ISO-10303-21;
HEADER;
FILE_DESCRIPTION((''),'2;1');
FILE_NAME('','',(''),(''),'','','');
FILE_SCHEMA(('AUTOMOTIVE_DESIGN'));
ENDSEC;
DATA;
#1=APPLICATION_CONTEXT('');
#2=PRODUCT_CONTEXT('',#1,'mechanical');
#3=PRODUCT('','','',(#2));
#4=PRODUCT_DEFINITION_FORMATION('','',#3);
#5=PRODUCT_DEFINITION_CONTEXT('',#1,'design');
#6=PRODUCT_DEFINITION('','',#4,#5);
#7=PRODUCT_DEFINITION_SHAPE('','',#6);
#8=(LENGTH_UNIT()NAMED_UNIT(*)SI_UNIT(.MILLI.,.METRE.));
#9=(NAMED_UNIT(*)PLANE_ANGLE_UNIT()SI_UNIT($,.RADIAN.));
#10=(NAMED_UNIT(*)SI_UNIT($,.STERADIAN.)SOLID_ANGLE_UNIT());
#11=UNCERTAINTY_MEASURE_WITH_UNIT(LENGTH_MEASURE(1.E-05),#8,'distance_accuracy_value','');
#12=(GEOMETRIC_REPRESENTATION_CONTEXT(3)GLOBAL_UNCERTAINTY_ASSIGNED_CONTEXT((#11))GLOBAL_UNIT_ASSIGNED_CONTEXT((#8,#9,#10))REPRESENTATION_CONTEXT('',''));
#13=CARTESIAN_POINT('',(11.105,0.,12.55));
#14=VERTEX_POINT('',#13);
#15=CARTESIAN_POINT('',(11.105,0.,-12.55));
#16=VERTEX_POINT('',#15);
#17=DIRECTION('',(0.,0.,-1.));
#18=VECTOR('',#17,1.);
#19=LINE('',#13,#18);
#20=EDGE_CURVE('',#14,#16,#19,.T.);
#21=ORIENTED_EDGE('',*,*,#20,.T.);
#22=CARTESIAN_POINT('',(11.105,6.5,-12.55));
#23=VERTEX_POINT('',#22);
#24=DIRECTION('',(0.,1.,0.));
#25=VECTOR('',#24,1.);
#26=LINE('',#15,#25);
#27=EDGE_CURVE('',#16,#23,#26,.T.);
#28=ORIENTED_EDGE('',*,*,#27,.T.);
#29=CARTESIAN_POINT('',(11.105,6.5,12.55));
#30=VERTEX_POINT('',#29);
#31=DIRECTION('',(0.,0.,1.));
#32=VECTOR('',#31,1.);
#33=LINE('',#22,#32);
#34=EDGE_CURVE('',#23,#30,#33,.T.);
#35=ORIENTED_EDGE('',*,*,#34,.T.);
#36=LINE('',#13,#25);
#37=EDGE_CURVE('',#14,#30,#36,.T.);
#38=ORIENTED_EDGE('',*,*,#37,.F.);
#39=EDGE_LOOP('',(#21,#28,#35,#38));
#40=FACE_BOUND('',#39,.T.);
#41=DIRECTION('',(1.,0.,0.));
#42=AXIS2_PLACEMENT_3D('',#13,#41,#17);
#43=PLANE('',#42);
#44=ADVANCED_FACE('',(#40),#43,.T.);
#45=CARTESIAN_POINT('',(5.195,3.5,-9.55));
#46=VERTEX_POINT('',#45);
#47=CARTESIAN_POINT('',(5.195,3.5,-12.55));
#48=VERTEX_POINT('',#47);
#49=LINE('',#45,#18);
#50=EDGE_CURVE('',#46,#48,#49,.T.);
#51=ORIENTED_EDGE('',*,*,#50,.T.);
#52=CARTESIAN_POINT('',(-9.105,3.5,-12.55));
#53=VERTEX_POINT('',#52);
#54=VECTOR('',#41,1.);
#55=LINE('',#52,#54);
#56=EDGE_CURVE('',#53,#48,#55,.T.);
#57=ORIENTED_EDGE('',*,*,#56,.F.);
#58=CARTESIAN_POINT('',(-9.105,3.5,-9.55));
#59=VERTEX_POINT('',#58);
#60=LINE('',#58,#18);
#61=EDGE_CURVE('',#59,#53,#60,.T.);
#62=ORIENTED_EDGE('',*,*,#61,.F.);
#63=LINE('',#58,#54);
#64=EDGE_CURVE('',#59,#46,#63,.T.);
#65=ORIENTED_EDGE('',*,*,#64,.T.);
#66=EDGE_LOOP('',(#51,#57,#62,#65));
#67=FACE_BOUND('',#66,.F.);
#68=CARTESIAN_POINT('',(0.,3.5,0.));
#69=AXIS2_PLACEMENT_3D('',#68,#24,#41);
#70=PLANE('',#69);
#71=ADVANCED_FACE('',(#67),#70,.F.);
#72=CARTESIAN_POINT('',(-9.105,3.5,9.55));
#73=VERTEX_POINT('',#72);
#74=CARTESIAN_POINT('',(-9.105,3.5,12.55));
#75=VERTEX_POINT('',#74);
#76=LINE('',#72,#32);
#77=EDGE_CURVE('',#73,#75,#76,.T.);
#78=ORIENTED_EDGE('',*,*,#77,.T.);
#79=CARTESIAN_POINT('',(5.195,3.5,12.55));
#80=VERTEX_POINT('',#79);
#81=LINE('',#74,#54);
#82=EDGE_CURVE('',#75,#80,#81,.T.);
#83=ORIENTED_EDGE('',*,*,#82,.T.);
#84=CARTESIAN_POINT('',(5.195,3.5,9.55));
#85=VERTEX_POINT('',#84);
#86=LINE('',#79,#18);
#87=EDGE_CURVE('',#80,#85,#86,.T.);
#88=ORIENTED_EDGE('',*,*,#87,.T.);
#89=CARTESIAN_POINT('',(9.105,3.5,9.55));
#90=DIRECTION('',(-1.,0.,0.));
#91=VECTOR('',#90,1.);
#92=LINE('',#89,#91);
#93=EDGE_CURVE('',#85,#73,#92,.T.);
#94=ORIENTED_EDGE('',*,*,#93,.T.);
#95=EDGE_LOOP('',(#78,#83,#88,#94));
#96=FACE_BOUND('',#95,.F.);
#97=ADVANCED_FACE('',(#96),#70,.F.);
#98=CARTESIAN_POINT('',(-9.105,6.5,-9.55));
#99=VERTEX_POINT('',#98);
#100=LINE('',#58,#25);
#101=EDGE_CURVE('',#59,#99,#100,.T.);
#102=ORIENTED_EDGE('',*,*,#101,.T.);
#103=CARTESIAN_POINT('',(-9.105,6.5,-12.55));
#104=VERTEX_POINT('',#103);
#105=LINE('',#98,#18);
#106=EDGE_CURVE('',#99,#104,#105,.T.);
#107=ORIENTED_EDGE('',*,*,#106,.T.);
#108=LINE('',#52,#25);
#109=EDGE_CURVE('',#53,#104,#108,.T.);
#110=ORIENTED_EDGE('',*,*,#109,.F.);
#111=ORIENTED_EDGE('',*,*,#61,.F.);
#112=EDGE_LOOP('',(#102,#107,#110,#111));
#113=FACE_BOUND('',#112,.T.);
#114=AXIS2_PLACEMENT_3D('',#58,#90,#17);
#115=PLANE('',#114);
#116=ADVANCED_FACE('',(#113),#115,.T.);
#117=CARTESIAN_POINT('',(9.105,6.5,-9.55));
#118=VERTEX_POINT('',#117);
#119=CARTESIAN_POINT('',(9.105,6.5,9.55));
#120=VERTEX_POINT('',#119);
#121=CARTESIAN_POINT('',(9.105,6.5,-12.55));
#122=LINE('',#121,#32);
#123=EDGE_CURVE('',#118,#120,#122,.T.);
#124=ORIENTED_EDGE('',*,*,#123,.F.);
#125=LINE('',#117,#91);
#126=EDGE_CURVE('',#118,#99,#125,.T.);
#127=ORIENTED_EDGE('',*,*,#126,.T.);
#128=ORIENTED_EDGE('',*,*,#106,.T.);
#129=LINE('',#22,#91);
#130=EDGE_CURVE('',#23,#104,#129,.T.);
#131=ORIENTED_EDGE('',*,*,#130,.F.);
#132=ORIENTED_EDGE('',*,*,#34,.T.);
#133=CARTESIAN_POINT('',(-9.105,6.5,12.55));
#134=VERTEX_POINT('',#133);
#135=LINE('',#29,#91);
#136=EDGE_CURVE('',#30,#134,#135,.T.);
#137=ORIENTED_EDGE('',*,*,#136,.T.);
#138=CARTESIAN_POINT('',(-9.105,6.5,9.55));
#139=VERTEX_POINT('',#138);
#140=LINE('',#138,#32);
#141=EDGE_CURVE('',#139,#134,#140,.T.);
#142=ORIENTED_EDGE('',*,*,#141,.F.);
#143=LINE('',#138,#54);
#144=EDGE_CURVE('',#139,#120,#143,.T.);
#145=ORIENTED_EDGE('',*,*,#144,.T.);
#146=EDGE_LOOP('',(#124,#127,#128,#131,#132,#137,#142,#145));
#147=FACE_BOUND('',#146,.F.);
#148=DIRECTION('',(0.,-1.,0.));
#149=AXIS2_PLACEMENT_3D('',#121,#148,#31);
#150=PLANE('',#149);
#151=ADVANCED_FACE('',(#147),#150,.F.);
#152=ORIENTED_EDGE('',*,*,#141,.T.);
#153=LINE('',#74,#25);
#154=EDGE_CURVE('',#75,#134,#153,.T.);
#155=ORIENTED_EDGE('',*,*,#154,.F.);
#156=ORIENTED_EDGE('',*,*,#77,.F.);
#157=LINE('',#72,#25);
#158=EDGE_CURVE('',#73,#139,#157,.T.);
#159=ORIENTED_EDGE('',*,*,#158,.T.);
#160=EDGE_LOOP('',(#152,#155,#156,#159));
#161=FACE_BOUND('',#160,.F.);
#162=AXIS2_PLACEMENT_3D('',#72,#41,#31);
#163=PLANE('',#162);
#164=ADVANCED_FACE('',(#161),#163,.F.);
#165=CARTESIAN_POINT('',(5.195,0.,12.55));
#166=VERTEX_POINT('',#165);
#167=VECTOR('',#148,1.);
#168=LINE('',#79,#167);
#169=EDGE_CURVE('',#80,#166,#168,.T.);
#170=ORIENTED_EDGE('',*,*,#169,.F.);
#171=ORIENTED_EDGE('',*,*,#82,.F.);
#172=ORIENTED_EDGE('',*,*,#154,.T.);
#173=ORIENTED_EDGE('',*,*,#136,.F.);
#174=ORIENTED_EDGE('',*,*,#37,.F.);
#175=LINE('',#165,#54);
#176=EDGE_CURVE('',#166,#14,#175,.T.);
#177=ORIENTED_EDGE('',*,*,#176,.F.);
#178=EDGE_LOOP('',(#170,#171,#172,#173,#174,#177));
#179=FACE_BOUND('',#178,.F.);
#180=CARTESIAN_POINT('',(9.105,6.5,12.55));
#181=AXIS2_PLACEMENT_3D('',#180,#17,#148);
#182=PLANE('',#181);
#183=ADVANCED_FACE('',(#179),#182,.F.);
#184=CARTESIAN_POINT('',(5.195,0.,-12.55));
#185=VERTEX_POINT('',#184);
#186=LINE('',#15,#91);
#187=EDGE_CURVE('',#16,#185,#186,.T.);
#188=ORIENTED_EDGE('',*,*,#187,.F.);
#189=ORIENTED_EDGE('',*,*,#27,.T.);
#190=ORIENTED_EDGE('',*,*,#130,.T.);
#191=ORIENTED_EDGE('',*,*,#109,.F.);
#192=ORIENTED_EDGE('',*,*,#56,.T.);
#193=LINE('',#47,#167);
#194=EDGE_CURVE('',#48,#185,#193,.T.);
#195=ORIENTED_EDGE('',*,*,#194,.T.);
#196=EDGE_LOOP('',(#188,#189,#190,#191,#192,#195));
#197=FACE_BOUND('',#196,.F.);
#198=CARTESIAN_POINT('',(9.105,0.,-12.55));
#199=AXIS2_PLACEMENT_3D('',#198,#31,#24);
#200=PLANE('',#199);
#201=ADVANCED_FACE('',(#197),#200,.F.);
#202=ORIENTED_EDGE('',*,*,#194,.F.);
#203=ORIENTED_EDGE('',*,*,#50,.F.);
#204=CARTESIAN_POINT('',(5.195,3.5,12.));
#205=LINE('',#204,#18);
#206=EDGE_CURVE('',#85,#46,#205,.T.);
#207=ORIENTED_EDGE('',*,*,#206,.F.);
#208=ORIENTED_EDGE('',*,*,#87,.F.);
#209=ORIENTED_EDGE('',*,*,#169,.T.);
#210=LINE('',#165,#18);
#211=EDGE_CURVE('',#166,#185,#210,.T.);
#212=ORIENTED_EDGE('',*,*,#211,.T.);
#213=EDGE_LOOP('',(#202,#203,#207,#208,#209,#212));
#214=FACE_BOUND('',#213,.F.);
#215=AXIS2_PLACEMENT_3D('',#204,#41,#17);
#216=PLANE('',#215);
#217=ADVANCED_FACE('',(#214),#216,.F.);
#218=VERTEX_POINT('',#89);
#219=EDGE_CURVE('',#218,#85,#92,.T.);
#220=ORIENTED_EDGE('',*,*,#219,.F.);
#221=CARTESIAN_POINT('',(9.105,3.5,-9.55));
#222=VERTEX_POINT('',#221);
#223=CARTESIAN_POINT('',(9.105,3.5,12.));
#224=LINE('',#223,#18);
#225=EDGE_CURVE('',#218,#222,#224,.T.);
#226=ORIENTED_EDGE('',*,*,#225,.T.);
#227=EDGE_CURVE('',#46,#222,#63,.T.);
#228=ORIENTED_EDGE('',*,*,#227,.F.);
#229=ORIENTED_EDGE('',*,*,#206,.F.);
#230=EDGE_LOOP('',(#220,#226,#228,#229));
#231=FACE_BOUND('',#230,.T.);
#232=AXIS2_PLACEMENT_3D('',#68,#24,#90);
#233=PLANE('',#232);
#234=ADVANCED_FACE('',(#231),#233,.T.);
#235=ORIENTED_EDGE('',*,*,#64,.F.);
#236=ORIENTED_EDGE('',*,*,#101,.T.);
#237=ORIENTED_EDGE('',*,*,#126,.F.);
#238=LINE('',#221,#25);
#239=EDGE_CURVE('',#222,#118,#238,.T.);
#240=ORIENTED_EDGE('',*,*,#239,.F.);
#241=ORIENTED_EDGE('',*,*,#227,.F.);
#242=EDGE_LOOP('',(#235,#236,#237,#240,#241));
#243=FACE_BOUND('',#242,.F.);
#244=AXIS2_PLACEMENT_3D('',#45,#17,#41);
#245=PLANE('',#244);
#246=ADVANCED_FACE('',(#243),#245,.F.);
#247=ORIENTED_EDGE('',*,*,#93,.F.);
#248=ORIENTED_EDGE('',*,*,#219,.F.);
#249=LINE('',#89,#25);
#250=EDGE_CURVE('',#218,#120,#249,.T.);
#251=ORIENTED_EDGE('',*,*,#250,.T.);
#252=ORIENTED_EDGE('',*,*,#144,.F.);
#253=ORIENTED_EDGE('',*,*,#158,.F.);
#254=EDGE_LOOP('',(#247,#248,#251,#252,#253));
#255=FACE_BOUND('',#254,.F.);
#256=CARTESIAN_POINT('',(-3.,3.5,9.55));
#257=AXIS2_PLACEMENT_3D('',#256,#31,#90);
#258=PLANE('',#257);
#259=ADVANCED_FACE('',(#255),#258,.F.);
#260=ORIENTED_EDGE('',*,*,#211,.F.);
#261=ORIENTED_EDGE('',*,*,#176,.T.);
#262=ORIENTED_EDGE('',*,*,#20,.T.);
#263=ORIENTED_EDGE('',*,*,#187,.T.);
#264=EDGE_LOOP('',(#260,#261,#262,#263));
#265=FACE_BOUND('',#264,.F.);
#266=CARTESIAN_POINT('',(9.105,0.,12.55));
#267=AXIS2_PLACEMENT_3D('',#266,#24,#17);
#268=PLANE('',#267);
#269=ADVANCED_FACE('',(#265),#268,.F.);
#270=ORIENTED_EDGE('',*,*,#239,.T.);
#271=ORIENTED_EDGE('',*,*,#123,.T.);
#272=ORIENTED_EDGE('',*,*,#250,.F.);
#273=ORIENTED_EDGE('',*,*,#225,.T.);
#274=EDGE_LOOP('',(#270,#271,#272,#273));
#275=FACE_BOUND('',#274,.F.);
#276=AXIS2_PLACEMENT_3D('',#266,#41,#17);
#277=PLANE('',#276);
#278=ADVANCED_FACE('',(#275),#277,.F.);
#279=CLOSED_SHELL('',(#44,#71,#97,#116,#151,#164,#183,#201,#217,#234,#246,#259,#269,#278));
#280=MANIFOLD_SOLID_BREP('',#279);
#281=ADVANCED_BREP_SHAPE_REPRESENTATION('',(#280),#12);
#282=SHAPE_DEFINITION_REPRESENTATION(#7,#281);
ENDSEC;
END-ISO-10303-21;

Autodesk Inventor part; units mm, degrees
ref_plane "YZ Plane" through (0, 0, 0) normal (1, 0, 0) x (0, 1, 0)
ref_plane "XZ Plane" through (0, 0, 0) normal (0, 1, 0) x (-1, 0, 0)
ref_plane "XY Plane" through (0, 0, 0) normal (0, 0, 1) x (1, 0, 0)
sketch "Skizze1" plane through (0, 0, 0) normal (0, 1, 0) x (-1, 0, 0)
  line L0 (9.105, 12) -> (-9.105, 12)
  line L1 (-9.105, 12) -> (-9.105, -12)
  line L2 (-9.105, -12) -> (9.105, -12)
  line L3 (9.105, -12) -> (9.105, 12)
  line L4 (9.105, 12) -> (-9.105, -12) construction
  line L5 (-9.105, 12) -> (9.105, -12) construction
  point P0 (0, 0)
  dimension "d0" = 18.21
  dimension "d1" = 24
extrude "Extrusion1" add sketch "Skizze1" along normal blind 3.5
sketch "Skizze2" plane through (0, 3.5, 0) normal (0, 1, 0) x (1, 0, 0)
  line L0 (9.105, -12) -> (9.105, 12) projected
  line L1 (9.105, 12) -> (-9.105, 12) projected
  line L2 (9.105, -12) -> (5.195, -12)
  line L3 (5.195, -12) -> (5.195, 12)
  line L4 (5.195, 12) -> (9.105, 12)
  line L5 (9.105, 12) -> (9.105, -12)
  line L6 (9.105, -12) -> (9.105, 12) projected
  line L7 (9.105, 12) -> (-9.105, 12) projected
  line L8 (-9.105, 12) -> (-9.105, -12) projected
  line L9 (-9.105, -12) -> (9.105, -12) projected
  point P0 (0, 0)
  dimension "d4" = 3.91
extrude "Extrusion2" cut sketch "Skizze2" against normal through all contours L9 L8 L1 L3
sketch "Skizze3" plane through (0, 3.5, 0) normal (0, 1, 0) x (1, 0, 0)
  line L0 (13.39, -9.55) -> (-3, -9.55)
  line L1 (-3, -9.55) -> (-3, 9.55)
  line L2 (-3, 9.55) -> (13.39, 9.55)
  line L3 (13.39, 9.55) -> (13.39, -9.55)
  line L4 (5.195, 12) -> (5.195, -12) projected
  line L5 (13.39, -9.55) -> (-3, 9.55) construction
  line L6 (-3, -9.55) -> (13.39, 9.55) construction
  line L7 (9.105, -12) -> (9.105, 12) projected
  line L8 (9.105, -9.55) -> (-9.105, -9.55)
  line L9 (-9.105, -9.55) -> (-9.105, -12.55)
  line L10 (-9.105, -12.55) -> (9.105, -12.55)
  line L11 (9.105, -12.55) -> (9.105, -9.55)
  line L12 (9.105, 9.55) -> (-9.105, 9.55)
  line L13 (-9.105, 9.55) -> (-9.105, 12.55)
  line L14 (-9.105, 12.55) -> (9.105, 12.55)
  line L15 (9.105, 12.55) -> (9.105, 9.55)
  point P0 (0, 0)
  point P1 (5.195, 0)
  dimension "d7" = 19.1
  dimension "d8" = 18.21
  dimension "d9" = 3
  dimension "d10" = 18.21
  dimension "d11" = 3
extrude "Extrusion3" add sketch "Skizze3" along normal blind 3 contours L7 L11 L10 L9 L8 L0 | L2 L12 L13 L14 L15 L7
sketch "Skizze4" plane through (0, 3.5, 0) normal (0, -1, 0) x (1, 0, 0)
  line L0 (5.195, 12) -> (9.105, 12) projected
  line L1 (9.105, 12.55) -> (9.105, 12) projected
  line L2 (-9.105, 12.55) -> (9.105, 12.55) projected
  line L3 (-9.105, 9.55) -> (-9.105, 12.55) projected
  line L4 (5.195, 9.55) -> (-9.105, 9.55) projected
  line L5 (5.195, 9.55) -> (5.195, 12) projected
  line L6 (5.195, -12) -> (5.195, -9.55) projected
  line L7 (-9.105, -9.55) -> (5.195, -9.55) projected
  line L8 (-9.105, -12.55) -> (-9.105, -9.55) projected
  line L9 (9.105, -12.55) -> (-9.105, -12.55) projected
  line L10 (9.105, -12) -> (9.105, -12.55) projected
  line L11 (9.105, -12) -> (5.195, -12) projected
  line L12 (9.105, 12.55) -> (9.105, 12) projected
  line L13 (9.105, 12.55) -> (5.195, 12.55)
  line L14 (5.195, 12.55) -> (5.195, 9.55)
  line L15 (5.195, 9.55) -> (9.105, 9.55)
  line L16 (9.105, 9.55) -> (9.105, 12.55)
  line L17 (9.105, -12.55) -> (-9.105, -12.55) projected
  line L18 (5.195, -9.55) -> (5.195, 9.55) projected
  line L19 (9.105, -12.55) -> (5.195, -12.55)
  line L20 (5.195, -12.55) -> (5.195, -9.55)
  line L21 (5.195, -9.55) -> (9.105, -9.55)
  line L22 (9.105, -9.55) -> (9.105, -12.55)
  point P0 (0, 0)
extrude "Extrusion4" add sketch "Skizze4" along normal up to surface (3.5 mm away) contours L14 L2 L1 L0 | L0 L16 L15 L5 | L21 L22 L11 L6 | L11 L10 L9 L20
sketch "Skizze5" plane through (9.105, 0, 12.55) normal (1, 0, 0) x (0, 0, -1)
  line L0 (0, 3.5) -> (0, 0) projected
  line L1 (0, 0) -> (25.1, 0)
  line L2 (25.1, 0) -> (25.1, 6.5)
  line L3 (25.1, 6.5) -> (0, 6.5)
  line L4 (0, 6.5) -> (0, 0)
  point P0 (12.55, 0)
extrude "Extrusion5" add sketch "Skizze5" along normal blind 2
properties part number "CentrationTool"
